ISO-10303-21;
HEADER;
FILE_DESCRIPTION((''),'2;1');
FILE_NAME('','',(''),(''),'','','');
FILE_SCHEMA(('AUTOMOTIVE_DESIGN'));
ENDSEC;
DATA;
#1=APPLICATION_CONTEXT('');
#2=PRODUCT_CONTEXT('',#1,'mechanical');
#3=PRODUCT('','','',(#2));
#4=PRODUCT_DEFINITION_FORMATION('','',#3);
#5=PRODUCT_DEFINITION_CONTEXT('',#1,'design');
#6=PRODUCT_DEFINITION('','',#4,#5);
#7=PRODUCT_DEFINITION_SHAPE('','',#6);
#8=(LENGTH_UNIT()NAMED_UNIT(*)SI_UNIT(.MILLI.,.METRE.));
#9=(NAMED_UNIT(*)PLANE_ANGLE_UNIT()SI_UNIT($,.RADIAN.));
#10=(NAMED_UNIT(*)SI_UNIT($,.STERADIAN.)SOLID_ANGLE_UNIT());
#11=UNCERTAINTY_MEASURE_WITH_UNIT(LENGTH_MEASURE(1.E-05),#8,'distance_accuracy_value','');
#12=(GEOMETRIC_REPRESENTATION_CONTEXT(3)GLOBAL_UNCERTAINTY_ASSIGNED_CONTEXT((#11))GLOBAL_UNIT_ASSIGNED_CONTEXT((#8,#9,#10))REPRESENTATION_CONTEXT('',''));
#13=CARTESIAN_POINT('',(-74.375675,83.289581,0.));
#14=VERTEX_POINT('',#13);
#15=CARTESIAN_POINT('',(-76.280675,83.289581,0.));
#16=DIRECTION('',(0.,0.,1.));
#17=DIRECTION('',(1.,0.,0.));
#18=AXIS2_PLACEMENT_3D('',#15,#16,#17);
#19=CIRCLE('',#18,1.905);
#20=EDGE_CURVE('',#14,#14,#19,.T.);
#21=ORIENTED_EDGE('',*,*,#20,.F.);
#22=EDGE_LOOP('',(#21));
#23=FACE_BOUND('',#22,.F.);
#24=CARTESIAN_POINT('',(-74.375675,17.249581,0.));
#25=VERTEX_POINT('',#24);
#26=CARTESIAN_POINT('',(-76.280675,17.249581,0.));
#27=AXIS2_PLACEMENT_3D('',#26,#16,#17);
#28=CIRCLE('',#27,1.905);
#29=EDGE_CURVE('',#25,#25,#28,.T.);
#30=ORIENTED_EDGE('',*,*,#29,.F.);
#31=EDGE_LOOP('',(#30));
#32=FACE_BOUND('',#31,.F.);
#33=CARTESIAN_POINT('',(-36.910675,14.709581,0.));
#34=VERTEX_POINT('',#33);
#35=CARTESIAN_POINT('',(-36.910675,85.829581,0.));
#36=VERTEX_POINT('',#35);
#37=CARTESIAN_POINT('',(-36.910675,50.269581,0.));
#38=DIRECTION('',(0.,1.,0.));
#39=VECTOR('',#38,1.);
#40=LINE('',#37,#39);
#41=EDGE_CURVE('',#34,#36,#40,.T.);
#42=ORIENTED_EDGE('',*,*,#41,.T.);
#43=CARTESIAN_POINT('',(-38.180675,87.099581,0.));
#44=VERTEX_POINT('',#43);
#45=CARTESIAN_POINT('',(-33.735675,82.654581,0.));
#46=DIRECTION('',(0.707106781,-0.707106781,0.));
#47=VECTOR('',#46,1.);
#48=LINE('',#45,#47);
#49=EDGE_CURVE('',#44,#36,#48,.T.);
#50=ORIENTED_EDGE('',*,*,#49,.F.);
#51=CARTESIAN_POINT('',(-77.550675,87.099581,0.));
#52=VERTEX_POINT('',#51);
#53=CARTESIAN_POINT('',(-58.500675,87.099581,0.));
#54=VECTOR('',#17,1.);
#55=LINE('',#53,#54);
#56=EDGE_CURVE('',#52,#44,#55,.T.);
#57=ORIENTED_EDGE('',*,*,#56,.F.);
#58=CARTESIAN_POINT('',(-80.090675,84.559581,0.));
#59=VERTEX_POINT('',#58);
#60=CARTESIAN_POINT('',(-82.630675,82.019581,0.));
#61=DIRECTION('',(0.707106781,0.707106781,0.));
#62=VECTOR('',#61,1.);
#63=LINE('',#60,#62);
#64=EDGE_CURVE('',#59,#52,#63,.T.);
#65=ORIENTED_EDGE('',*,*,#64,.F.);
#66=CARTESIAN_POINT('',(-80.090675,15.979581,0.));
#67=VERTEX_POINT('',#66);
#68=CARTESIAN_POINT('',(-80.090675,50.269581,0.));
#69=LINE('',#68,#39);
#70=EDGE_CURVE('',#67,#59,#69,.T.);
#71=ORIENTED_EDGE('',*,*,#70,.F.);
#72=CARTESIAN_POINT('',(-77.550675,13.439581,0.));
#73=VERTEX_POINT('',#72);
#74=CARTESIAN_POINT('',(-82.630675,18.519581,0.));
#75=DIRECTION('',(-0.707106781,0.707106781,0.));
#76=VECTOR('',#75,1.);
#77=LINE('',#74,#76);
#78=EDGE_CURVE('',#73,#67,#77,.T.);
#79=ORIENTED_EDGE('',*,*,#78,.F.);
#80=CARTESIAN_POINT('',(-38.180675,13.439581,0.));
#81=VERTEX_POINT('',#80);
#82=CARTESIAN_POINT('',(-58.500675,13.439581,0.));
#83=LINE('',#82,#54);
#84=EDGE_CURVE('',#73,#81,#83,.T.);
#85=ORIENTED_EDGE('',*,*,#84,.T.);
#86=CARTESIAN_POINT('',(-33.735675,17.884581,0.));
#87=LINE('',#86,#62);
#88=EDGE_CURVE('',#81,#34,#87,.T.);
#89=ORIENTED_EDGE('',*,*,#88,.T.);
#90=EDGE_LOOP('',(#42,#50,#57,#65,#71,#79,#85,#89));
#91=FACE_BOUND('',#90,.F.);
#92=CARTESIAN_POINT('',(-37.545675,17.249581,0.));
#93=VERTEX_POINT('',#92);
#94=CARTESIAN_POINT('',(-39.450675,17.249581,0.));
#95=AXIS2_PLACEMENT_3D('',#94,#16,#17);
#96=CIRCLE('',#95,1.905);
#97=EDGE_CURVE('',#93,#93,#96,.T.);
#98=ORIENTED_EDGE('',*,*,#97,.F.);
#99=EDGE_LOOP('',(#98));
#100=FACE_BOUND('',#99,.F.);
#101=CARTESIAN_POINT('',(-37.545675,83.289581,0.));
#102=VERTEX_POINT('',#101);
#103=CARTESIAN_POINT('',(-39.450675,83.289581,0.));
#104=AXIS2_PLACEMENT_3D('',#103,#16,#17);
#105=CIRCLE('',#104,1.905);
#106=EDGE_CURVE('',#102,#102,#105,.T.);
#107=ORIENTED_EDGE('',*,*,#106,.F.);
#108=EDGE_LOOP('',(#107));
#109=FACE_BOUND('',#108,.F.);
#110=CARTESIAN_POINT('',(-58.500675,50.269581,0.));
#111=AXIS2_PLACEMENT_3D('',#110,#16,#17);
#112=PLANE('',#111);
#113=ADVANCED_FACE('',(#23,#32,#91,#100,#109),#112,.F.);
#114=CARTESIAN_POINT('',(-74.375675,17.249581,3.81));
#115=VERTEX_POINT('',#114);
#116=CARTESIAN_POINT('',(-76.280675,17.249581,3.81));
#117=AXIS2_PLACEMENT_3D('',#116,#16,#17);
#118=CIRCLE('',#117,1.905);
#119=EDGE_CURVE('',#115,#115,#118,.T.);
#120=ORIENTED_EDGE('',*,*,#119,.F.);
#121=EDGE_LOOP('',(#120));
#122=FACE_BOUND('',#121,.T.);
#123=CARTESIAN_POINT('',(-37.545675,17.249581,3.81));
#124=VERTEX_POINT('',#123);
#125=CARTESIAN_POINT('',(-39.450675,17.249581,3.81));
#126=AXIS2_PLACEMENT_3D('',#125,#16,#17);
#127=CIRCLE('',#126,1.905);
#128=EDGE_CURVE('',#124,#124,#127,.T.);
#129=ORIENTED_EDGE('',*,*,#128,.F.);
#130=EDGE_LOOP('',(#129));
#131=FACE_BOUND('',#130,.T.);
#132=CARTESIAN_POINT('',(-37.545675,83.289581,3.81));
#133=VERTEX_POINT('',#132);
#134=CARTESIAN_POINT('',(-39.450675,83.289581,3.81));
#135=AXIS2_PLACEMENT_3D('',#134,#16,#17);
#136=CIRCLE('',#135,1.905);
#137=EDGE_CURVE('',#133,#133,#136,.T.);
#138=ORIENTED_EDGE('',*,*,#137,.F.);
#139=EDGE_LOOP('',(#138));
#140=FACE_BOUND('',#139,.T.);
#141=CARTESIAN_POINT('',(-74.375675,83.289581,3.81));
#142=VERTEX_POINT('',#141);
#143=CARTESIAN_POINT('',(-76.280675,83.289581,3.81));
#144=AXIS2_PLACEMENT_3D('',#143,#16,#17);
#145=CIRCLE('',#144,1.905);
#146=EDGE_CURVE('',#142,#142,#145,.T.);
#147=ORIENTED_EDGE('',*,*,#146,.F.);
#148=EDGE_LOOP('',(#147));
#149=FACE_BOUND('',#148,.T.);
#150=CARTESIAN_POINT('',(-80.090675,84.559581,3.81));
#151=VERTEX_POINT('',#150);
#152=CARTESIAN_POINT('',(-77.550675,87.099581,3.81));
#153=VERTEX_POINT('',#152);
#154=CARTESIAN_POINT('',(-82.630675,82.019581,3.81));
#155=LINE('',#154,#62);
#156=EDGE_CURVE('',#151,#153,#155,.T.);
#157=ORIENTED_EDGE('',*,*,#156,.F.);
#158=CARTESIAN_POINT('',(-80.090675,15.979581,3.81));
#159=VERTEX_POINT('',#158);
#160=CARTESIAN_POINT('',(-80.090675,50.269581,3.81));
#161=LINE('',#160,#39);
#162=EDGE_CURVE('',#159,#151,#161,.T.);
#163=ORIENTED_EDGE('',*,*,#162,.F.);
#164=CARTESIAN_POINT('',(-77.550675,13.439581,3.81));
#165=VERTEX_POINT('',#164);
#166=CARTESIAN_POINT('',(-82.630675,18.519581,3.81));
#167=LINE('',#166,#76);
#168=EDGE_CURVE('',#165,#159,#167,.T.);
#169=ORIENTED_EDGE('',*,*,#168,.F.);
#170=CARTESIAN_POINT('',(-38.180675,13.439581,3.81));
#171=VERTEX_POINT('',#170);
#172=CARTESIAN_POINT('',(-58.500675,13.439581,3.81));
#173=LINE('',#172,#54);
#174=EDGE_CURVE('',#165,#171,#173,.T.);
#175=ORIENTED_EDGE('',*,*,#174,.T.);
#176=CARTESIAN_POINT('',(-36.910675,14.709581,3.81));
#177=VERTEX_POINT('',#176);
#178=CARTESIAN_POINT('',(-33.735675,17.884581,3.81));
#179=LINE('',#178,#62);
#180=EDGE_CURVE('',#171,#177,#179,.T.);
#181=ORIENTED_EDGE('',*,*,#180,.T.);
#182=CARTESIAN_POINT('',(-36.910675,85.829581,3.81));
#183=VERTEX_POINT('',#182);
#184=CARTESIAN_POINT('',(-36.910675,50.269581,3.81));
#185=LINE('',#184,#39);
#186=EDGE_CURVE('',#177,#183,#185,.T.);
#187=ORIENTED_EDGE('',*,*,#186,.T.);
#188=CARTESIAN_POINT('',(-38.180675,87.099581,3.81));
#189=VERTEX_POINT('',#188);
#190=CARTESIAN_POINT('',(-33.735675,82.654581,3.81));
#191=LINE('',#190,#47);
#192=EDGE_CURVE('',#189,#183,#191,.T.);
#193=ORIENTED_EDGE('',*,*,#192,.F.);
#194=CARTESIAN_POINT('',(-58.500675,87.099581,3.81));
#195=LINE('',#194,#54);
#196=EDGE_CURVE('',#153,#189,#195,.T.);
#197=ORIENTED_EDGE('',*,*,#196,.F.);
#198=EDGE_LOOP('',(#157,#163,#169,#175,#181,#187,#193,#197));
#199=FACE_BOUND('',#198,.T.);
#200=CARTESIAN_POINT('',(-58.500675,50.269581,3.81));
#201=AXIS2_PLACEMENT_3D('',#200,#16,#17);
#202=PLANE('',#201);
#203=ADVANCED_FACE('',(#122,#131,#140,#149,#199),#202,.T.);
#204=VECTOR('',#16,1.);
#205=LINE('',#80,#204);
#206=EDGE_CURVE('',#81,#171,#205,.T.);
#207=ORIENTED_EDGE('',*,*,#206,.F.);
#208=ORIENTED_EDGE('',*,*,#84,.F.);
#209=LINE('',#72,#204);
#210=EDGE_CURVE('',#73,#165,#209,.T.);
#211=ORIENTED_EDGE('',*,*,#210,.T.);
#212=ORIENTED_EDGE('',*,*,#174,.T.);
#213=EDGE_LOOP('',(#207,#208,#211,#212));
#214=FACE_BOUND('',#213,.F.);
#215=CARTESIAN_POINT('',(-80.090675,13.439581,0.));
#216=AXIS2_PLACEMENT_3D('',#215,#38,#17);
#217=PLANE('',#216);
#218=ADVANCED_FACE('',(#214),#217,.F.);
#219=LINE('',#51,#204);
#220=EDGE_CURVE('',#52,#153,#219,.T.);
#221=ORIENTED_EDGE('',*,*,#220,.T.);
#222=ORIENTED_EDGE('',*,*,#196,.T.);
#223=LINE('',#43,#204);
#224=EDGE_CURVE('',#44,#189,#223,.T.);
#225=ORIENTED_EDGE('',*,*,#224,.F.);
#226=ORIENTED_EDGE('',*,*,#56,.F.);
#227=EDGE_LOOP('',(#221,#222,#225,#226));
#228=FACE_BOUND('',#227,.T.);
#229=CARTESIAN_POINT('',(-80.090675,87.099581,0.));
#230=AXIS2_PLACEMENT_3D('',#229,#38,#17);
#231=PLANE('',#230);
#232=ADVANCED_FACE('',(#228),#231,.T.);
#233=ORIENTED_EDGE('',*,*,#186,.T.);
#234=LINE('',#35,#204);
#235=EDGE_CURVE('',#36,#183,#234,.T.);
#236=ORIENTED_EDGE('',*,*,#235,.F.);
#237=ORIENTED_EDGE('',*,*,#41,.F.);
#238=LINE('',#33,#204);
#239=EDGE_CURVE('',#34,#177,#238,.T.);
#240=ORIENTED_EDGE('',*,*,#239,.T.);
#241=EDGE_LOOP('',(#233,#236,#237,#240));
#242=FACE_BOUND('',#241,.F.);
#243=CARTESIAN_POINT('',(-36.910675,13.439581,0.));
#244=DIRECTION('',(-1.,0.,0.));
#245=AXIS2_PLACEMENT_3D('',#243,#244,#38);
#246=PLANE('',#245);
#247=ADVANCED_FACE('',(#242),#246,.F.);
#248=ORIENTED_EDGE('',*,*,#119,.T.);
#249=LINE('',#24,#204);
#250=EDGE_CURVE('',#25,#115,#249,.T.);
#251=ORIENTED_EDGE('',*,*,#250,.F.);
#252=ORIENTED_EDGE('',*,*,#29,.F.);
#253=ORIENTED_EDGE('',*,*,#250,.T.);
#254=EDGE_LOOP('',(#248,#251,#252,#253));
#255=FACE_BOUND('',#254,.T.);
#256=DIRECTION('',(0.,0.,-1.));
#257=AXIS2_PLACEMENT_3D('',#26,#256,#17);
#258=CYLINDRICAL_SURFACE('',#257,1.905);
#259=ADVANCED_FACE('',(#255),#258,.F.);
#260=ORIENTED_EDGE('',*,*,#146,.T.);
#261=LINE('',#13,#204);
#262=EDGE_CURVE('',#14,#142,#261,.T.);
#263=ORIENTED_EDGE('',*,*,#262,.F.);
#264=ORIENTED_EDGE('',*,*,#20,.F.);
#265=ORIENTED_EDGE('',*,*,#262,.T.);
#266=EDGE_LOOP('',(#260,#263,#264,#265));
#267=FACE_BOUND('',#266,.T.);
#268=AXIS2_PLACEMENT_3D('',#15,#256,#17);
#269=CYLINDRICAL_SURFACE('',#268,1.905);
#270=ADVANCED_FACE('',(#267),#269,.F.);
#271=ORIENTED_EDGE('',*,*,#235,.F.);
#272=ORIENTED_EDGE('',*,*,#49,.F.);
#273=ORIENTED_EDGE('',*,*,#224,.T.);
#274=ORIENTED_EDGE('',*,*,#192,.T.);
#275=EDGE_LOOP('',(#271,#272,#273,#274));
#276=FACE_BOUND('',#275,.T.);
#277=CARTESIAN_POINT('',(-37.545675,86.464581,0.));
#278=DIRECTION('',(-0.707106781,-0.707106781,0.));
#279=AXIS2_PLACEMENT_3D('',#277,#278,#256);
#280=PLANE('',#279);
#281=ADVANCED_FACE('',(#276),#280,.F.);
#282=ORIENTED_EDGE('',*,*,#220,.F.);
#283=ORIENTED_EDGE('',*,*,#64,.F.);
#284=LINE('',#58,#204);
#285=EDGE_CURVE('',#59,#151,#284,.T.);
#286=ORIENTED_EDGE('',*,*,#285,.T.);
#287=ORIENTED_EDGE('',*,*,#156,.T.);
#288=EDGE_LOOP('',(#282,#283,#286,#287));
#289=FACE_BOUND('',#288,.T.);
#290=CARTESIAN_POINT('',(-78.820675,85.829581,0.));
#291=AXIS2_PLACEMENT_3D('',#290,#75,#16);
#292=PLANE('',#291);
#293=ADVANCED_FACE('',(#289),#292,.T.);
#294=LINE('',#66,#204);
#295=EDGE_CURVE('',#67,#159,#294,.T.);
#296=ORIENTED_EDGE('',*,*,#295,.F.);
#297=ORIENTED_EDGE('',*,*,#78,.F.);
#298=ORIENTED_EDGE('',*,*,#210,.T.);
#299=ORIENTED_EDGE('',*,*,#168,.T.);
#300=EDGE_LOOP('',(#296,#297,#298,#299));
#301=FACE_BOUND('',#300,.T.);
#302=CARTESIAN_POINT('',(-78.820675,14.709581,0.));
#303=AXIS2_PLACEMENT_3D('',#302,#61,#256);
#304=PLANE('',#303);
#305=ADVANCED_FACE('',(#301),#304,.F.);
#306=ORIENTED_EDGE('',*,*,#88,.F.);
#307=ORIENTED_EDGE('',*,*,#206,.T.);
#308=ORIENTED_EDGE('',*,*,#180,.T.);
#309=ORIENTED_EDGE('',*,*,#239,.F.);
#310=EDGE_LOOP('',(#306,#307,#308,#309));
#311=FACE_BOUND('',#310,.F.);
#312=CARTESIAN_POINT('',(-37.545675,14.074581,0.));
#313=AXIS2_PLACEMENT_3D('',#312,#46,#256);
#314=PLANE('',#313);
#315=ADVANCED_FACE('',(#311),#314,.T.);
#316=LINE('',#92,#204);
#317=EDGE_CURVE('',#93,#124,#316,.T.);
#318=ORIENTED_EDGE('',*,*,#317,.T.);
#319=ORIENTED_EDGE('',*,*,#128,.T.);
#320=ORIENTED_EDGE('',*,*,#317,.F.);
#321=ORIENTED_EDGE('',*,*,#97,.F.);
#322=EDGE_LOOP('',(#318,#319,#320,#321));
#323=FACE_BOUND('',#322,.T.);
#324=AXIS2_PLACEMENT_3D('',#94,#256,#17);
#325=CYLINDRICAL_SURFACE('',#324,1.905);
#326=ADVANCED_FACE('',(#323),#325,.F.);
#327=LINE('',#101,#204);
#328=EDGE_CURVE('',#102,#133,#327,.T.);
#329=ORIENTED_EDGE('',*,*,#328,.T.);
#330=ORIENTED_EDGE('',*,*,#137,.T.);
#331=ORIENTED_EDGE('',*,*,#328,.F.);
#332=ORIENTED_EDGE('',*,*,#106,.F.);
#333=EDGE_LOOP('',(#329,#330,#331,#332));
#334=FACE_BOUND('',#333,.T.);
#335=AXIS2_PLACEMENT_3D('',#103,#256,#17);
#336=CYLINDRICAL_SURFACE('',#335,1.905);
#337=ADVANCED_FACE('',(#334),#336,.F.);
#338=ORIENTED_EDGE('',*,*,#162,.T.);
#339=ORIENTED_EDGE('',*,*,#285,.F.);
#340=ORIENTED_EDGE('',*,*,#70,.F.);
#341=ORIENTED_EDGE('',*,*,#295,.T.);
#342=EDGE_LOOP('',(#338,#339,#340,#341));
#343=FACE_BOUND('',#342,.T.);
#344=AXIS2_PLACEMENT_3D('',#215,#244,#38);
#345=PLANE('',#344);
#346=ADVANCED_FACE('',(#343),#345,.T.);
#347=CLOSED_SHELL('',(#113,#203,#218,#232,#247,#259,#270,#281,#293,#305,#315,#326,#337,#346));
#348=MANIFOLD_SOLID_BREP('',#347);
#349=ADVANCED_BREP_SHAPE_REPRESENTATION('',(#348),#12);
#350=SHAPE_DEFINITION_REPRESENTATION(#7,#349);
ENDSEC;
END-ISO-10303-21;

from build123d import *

# Parameters (mm, degrees)
F0_W     = 43.18
F0_H     = 73.66
F0_R     = 1.905
F1_DEPTH = 3.81
F2_SIZE  = 1.27
F3_SIZE  = 2.54


with BuildPart() as f1:
    # F0 (on Top) → F1 (new body)
    with BuildSketch(Plane.XY):
        with Locations((-58.500675, 50.269581)):
            Rectangle(F0_W, F0_H)
        with Locations((-76.280675, 17.249581)):
            Circle(F0_R, mode=Mode.SUBTRACT)
        with Locations((-39.450675, 17.249581)):
            Circle(F0_R, mode=Mode.SUBTRACT)
        with Locations((-76.280675, 83.289581)):
            Circle(F0_R, mode=Mode.SUBTRACT)
        with Locations((-39.450675, 83.289581)):
            Circle(F0_R, mode=Mode.SUBTRACT)
    extrude(amount=F1_DEPTH)

    # F2
    f2_edges = [f1.edges().sort_by_distance(p)[0] for p in [
        (-36.910675, 13.439581, 1.905),
        (-36.910675, 87.099581, 1.905),
    ]]
    chamfer(f2_edges, length=F2_SIZE)

    # F3
    f3_edges = [f1.edges().sort_by_distance(p)[0] for p in [
        (-80.090675, 13.439581, 1.905),
        (-80.090675, 87.099581, 1.905),
    ]]
    chamfer(f3_edges, length=F3_SIZE)


solid = f1.part
